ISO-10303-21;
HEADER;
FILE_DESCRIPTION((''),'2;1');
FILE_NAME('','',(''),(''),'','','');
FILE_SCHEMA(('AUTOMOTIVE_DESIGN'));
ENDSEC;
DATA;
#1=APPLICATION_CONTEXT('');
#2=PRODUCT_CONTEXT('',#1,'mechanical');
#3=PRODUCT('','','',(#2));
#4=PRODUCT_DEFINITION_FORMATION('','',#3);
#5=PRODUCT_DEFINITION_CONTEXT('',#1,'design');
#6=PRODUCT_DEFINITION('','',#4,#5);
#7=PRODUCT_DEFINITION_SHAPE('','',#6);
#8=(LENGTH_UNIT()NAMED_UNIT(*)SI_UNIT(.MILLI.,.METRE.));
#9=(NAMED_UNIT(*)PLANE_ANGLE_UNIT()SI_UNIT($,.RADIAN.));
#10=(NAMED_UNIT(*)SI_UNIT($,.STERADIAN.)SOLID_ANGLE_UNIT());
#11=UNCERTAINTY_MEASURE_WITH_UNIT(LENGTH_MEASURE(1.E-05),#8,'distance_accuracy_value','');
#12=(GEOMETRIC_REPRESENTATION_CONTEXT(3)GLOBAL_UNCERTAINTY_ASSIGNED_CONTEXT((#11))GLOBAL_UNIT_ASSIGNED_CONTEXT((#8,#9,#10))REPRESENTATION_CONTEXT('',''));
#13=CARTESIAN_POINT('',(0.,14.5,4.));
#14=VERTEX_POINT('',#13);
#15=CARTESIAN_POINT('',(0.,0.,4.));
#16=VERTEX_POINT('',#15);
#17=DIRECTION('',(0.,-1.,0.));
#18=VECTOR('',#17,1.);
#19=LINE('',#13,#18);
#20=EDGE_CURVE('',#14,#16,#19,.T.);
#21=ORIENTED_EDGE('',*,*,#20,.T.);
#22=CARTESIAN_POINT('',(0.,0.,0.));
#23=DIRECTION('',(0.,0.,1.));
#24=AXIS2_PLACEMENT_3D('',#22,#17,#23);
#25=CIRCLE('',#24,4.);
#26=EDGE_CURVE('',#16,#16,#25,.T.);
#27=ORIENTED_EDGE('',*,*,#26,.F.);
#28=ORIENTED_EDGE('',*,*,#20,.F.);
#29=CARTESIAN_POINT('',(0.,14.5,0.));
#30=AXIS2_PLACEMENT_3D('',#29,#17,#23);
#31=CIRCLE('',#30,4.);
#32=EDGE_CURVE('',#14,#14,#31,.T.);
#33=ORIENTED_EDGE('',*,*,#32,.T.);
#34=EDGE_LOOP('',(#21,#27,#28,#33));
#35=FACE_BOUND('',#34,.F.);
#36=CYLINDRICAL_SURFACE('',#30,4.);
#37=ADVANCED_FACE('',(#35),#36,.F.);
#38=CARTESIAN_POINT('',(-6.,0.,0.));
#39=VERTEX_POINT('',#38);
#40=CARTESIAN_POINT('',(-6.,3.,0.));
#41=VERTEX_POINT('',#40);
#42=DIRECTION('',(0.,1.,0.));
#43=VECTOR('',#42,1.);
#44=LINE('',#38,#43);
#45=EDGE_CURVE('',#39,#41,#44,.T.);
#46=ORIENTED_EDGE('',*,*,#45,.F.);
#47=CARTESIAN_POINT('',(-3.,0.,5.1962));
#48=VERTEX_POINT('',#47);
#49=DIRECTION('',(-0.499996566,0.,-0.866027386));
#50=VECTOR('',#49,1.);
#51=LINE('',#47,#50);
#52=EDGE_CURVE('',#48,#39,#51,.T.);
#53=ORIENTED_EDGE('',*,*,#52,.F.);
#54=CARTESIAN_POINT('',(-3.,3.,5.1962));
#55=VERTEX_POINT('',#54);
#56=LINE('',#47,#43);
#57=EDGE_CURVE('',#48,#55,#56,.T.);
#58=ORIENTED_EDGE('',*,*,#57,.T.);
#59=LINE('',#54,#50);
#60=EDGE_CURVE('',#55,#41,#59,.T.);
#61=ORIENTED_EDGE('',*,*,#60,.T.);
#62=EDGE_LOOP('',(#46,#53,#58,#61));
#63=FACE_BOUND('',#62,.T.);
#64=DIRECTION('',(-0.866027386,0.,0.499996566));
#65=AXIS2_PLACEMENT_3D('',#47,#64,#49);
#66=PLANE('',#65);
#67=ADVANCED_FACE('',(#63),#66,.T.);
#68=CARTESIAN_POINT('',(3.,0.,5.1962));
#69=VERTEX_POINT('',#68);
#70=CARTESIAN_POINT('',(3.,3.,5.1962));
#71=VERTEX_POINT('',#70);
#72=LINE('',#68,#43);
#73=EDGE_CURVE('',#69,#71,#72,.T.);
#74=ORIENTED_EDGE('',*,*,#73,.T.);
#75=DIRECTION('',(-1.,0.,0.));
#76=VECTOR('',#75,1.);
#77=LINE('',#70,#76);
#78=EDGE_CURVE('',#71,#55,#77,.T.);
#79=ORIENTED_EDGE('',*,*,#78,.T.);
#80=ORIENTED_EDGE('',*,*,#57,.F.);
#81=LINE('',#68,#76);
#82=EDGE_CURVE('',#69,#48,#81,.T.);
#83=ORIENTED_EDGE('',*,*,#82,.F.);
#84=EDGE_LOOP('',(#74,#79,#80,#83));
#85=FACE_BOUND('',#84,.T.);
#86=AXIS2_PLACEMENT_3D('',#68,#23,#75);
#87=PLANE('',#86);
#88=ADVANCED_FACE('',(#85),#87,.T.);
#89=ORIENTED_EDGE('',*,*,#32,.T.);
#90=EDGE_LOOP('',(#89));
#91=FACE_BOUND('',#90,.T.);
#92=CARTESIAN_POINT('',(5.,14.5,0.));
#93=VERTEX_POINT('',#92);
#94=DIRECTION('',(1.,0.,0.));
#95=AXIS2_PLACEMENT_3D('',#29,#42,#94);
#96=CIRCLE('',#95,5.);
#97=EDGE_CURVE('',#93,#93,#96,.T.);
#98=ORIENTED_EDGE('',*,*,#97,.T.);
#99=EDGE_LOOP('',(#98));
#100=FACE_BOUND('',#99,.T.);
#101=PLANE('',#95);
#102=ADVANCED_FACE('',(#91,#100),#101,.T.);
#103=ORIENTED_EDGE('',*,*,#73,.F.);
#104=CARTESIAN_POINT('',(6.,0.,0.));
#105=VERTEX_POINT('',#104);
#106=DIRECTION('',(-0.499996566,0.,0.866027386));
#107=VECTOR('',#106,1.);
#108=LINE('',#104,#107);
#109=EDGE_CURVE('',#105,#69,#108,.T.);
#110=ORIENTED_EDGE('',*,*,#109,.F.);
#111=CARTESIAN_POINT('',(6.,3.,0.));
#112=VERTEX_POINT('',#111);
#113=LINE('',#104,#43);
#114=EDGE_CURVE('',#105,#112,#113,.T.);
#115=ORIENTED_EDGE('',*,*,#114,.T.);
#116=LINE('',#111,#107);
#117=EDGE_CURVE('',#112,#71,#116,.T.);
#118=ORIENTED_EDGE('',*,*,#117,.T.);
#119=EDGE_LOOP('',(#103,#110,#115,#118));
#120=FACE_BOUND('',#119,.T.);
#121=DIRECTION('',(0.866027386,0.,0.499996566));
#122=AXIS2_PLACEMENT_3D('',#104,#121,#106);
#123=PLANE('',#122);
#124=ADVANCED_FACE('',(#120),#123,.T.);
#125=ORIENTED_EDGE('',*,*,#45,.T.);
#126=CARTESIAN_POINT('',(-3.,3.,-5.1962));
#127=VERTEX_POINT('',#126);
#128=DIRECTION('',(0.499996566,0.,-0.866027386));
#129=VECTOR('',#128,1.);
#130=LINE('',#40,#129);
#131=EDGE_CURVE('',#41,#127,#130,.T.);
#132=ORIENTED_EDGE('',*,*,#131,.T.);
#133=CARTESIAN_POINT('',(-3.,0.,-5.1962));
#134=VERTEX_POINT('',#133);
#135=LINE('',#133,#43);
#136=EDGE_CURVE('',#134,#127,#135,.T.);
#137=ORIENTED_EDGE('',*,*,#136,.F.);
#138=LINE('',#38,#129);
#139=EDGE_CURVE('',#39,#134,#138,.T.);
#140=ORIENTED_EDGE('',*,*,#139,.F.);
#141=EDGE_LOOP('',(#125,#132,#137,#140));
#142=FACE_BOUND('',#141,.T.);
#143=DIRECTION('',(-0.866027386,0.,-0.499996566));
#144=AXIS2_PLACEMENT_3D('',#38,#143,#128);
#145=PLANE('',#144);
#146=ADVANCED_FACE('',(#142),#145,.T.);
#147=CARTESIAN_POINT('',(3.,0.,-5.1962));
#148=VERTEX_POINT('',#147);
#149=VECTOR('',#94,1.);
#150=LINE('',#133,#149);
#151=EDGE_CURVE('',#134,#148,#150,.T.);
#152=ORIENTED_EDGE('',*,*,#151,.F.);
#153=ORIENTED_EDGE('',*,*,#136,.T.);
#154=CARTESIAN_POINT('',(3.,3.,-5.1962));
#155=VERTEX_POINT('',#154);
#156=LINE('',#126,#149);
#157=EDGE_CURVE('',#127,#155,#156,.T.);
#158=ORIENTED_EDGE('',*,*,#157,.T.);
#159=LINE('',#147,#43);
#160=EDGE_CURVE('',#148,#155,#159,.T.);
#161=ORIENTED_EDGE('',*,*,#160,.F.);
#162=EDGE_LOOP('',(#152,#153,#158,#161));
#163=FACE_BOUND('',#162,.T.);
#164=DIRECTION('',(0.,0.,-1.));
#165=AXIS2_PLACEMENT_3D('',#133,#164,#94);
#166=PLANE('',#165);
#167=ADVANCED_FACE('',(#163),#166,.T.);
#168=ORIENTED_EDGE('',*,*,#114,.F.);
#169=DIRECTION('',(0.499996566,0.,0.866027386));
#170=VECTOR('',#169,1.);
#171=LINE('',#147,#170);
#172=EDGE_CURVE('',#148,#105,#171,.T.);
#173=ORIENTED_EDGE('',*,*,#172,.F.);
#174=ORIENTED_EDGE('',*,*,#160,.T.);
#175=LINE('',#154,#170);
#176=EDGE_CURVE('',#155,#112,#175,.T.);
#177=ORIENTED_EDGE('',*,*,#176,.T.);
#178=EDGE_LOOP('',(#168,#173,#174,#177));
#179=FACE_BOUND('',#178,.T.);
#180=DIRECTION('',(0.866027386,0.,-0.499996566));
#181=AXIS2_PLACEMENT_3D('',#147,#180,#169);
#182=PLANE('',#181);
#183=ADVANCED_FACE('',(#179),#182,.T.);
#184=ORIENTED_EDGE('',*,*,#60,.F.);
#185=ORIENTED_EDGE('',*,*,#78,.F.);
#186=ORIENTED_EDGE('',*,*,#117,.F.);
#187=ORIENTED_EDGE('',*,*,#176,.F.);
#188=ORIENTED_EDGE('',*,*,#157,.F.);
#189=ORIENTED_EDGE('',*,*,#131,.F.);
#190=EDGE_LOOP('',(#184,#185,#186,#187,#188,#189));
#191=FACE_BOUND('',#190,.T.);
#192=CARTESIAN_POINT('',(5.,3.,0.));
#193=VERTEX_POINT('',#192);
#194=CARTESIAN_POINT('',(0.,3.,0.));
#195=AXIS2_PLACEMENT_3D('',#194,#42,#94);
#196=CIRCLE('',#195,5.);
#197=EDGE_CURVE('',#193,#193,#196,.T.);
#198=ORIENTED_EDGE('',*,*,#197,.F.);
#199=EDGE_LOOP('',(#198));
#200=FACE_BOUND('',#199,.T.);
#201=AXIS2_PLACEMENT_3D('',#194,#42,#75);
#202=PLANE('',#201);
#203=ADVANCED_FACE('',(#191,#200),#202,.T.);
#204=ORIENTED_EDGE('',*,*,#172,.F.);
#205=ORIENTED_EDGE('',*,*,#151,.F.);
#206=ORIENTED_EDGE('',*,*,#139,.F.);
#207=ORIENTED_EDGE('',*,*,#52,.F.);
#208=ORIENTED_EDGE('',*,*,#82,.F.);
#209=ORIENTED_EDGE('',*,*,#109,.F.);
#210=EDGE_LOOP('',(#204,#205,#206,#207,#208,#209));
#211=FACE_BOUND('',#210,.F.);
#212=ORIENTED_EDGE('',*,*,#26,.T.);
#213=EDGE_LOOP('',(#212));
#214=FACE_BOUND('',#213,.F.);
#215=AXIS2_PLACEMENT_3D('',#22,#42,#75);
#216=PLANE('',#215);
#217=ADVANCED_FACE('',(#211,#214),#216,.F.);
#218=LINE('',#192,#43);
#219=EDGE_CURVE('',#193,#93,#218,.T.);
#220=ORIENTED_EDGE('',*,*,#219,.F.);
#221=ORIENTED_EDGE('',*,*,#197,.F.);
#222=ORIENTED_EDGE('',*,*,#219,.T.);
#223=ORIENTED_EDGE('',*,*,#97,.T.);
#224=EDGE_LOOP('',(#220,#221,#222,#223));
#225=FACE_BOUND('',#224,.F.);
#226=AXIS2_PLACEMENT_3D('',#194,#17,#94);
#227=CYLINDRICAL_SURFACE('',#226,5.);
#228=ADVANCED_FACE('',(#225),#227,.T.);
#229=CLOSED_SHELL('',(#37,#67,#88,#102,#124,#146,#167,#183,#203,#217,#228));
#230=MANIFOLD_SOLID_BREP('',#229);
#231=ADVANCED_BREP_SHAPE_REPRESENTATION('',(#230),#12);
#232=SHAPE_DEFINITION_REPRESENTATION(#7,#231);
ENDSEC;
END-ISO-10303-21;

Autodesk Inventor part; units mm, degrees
ref_plane "YZ Plane" through (0, 0, 0) normal (1, 0, 0) x (0, 1, 0)
ref_plane "XZ Plane" through (0, 0, 0) normal (0, 1, 0) x (-1, 0, 0)
ref_plane "XY Plane" through (0, 0, 0) normal (0, 0, 1) x (1, 0, 0)
sketch "Skizze1" plane through (0, 0, 0) normal (0, 1, 0) x (-1, 0, 0)
  line L0 (6, 0) -> (3, -5.1962)
  line L1 (3, -5.1962) -> (-3, -5.1962)
  line L2 (-3, -5.1962) -> (-6, 0)
  line L3 (-6, 0) -> (-3, 5.1962)
  line L4 (-3, 5.1962) -> (3, 5.1962)
  line L5 (3, 5.1962) -> (6, 0)
  point P0 (0, 0)
  point P1 (0, 0)
  dimension "d5" = 12
extrude "Extrusion3" add sketch "Skizze1" along normal blind 3
sketch "Sketch4" plane through (0, 3, 0) normal (0, 1, 0) x (1, 0, 0)
  circle A0 centre (0, 0) radius 5
  dimension "d12" = 10
extrude "Extrusion4" add sketch "Sketch4" along normal blind 11.5
sketch "Sketch5" plane through (0, 14.5, 0) normal (0, 1, 0) x (1, 0, 0)
  circle A0 centre (0, 0) radius 5 construction
hole "Hole1" at (0, 14.5, 0) direction (0, -1, 0) diameter 8 depth 14.5
properties part number "überwurfmutter" material "Gold"
